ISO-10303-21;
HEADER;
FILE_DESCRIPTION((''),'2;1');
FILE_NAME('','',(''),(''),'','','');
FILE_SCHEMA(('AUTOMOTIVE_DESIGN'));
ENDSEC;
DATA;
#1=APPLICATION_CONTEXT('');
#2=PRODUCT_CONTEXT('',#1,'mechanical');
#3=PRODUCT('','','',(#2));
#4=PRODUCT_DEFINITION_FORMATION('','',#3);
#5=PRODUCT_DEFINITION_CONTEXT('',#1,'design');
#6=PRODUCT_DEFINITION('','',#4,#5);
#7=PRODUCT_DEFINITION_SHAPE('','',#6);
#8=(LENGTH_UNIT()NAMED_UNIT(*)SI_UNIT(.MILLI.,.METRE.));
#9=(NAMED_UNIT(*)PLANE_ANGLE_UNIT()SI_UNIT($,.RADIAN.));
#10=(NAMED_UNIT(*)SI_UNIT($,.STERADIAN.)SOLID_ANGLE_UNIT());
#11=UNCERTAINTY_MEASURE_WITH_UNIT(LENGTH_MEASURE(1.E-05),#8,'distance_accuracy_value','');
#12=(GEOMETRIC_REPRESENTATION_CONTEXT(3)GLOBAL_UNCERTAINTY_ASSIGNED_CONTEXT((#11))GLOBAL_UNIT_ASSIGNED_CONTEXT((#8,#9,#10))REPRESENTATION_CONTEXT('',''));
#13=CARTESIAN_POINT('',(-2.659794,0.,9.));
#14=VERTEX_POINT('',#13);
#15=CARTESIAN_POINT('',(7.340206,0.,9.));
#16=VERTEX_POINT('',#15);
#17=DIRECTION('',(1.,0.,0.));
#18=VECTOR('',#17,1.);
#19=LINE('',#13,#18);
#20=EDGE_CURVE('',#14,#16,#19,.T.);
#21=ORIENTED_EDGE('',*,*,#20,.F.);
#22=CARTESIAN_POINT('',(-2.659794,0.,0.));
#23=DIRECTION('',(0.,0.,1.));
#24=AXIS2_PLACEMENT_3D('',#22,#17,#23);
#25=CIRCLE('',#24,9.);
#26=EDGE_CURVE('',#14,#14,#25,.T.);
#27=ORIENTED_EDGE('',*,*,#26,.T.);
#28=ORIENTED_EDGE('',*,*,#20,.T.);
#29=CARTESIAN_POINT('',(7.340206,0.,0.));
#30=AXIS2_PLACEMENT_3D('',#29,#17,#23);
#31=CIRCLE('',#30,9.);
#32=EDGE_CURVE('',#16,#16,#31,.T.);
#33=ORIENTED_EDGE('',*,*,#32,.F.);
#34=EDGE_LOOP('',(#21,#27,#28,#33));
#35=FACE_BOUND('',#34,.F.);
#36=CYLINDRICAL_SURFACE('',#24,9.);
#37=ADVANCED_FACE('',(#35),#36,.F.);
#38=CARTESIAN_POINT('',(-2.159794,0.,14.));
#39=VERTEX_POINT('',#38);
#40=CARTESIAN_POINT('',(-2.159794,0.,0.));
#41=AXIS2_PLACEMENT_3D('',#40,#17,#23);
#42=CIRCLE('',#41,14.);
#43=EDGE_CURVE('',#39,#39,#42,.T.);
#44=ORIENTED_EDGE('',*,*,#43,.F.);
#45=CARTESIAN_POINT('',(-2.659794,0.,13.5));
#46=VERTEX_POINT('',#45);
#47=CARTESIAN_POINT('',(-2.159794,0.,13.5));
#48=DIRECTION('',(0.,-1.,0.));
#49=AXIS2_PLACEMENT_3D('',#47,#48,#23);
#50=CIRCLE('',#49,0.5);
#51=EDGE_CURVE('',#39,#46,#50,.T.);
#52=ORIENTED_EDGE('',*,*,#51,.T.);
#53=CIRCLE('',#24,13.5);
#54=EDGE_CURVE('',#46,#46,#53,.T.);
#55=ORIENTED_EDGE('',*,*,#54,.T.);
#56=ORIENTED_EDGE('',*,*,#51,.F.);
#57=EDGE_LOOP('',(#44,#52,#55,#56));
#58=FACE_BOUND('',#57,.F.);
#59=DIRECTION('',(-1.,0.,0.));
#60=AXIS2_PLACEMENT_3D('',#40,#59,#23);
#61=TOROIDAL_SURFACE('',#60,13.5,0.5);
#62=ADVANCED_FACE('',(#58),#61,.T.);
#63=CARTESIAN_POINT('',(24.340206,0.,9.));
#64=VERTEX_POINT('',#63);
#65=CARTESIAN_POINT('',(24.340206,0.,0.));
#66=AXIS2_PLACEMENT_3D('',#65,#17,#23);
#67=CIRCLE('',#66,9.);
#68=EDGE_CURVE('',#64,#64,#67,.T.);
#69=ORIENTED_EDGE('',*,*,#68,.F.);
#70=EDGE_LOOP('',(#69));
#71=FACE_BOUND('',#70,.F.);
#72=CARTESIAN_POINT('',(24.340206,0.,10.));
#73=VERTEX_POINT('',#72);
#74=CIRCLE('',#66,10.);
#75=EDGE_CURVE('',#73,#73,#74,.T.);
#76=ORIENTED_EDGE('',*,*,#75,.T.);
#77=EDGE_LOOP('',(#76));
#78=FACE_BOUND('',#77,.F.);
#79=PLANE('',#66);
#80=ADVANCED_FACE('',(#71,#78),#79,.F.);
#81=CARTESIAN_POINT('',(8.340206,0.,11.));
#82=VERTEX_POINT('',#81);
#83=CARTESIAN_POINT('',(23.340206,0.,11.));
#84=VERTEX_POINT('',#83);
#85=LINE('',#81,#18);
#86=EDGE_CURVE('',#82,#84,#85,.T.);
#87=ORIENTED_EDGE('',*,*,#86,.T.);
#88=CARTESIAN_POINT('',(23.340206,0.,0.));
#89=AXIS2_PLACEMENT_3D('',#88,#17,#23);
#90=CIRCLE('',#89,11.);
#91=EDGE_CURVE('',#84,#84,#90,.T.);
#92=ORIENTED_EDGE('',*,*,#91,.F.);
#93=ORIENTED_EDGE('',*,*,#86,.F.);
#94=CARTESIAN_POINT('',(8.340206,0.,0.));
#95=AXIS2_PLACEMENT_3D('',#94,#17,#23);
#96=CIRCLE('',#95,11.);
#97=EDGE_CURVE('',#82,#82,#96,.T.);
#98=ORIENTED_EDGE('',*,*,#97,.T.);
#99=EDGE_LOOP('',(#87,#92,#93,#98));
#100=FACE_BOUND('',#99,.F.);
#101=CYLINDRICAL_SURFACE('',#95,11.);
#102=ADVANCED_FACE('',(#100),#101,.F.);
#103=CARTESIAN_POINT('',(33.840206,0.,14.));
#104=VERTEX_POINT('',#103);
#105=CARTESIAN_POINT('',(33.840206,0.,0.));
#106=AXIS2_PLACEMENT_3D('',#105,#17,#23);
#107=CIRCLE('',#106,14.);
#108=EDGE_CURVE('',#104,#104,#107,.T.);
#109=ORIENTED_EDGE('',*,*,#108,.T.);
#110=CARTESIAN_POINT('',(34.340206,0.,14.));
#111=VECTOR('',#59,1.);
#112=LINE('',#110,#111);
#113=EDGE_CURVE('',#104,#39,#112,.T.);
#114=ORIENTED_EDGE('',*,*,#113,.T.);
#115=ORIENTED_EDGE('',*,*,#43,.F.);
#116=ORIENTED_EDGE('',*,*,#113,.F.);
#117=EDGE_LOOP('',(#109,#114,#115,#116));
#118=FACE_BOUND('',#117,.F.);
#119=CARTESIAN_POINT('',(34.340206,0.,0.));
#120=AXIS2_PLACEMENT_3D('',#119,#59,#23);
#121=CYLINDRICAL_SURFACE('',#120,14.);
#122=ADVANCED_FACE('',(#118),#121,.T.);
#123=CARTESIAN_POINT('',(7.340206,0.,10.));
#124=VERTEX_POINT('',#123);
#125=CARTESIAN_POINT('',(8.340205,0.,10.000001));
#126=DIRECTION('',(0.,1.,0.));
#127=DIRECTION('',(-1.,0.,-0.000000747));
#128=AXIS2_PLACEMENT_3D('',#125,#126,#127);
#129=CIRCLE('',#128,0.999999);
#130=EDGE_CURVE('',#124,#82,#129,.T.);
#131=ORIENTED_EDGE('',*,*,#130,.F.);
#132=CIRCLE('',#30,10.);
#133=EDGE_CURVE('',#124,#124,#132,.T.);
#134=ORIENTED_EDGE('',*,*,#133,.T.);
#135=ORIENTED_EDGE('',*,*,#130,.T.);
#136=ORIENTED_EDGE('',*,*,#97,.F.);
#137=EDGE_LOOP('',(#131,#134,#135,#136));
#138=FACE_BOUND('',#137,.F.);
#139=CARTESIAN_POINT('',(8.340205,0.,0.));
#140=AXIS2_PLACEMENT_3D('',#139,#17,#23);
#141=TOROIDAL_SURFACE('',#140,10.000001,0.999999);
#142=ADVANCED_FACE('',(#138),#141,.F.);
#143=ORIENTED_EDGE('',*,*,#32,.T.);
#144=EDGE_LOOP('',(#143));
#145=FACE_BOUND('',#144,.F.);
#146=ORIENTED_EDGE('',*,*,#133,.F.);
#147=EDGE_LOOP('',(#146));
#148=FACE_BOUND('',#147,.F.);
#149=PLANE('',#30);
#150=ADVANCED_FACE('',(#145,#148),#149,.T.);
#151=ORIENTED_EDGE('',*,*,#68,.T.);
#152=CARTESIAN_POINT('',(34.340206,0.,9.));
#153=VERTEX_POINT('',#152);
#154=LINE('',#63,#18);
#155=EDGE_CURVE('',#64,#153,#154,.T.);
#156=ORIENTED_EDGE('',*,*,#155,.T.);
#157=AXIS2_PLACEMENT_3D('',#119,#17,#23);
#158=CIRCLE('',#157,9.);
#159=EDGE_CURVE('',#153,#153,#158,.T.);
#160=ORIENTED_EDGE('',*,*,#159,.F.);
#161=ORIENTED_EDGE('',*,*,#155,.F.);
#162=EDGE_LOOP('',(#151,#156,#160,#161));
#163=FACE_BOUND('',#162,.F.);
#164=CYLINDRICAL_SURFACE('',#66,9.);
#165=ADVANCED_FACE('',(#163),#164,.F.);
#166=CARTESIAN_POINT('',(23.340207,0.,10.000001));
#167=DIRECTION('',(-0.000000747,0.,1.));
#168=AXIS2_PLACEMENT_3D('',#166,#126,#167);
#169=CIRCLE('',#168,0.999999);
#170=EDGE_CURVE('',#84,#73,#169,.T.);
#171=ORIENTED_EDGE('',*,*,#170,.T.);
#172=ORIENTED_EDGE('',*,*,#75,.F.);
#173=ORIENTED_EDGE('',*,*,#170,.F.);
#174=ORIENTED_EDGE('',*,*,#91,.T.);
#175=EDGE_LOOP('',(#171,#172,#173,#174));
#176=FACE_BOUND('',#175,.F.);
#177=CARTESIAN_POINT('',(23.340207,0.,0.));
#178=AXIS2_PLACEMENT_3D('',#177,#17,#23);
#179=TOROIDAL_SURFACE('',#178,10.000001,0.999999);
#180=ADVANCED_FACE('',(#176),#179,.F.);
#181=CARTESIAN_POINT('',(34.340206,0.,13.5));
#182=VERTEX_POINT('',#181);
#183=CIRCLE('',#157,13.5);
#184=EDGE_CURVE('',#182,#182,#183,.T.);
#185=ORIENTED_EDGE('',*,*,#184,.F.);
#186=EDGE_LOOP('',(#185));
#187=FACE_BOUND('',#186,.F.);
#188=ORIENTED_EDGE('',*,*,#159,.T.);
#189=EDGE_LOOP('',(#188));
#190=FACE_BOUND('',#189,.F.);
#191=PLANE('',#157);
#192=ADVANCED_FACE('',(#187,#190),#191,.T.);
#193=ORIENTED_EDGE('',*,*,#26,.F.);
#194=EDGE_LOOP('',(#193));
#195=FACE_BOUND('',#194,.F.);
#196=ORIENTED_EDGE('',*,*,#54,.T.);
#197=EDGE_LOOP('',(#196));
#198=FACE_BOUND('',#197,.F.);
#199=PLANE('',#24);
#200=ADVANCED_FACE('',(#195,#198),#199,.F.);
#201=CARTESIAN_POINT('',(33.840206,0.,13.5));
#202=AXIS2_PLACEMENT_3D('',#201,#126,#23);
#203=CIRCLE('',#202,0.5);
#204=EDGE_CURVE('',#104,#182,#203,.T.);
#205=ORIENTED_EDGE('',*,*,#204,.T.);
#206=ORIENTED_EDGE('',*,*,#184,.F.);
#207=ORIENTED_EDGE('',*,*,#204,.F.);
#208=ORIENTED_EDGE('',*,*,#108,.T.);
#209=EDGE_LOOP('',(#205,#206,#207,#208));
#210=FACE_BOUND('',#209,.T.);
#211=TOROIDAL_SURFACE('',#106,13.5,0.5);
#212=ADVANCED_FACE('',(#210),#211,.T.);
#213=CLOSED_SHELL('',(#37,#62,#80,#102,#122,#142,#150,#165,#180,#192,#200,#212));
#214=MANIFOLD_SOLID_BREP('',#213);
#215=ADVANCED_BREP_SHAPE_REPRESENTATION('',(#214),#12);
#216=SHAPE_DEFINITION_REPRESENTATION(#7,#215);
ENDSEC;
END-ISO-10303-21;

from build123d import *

# Parameters (mm, degrees)
F2_R = 0.5


with BuildPart() as f1:
    # F0 (on Front) → F1 (revolve)
    with BuildSketch(Plane.XZ):
        with BuildLine():
            Line((34.340206, 14), (-2.659794, 14))
            Line((-2.659794, 14), (-2.659794, 9))
            Line((-2.659794, 9), (7.340206, 9))
            Line((7.340206, 9), (7.340206, 10))
            ThreePointArc((7.340206, 10), (7.633099, 10.707107), (8.340206, 11))
            Line((8.340206, 11), (23.340206, 11))
            ThreePointArc((23.340206, 11), (24.047313, 10.707107), (24.340206, 10))
            Line((24.340206, 10), (24.340206, 9))
            Line((24.340206, 9), (34.340206, 9))
            Line((34.340206, 9), (34.340206, 14))
        make_face()
    revolve(axis=Axis((-0.122449, 0, 0), (1, 0, 0)))

    # F2
    f2_edges = [f1.edges().sort_by_distance(p)[0] for p in [
        (-2.659794, 0, -14),
        (34.340206, 0, -14),
    ]]
    fillet(f2_edges, radius=F2_R)


solid = f1.part
